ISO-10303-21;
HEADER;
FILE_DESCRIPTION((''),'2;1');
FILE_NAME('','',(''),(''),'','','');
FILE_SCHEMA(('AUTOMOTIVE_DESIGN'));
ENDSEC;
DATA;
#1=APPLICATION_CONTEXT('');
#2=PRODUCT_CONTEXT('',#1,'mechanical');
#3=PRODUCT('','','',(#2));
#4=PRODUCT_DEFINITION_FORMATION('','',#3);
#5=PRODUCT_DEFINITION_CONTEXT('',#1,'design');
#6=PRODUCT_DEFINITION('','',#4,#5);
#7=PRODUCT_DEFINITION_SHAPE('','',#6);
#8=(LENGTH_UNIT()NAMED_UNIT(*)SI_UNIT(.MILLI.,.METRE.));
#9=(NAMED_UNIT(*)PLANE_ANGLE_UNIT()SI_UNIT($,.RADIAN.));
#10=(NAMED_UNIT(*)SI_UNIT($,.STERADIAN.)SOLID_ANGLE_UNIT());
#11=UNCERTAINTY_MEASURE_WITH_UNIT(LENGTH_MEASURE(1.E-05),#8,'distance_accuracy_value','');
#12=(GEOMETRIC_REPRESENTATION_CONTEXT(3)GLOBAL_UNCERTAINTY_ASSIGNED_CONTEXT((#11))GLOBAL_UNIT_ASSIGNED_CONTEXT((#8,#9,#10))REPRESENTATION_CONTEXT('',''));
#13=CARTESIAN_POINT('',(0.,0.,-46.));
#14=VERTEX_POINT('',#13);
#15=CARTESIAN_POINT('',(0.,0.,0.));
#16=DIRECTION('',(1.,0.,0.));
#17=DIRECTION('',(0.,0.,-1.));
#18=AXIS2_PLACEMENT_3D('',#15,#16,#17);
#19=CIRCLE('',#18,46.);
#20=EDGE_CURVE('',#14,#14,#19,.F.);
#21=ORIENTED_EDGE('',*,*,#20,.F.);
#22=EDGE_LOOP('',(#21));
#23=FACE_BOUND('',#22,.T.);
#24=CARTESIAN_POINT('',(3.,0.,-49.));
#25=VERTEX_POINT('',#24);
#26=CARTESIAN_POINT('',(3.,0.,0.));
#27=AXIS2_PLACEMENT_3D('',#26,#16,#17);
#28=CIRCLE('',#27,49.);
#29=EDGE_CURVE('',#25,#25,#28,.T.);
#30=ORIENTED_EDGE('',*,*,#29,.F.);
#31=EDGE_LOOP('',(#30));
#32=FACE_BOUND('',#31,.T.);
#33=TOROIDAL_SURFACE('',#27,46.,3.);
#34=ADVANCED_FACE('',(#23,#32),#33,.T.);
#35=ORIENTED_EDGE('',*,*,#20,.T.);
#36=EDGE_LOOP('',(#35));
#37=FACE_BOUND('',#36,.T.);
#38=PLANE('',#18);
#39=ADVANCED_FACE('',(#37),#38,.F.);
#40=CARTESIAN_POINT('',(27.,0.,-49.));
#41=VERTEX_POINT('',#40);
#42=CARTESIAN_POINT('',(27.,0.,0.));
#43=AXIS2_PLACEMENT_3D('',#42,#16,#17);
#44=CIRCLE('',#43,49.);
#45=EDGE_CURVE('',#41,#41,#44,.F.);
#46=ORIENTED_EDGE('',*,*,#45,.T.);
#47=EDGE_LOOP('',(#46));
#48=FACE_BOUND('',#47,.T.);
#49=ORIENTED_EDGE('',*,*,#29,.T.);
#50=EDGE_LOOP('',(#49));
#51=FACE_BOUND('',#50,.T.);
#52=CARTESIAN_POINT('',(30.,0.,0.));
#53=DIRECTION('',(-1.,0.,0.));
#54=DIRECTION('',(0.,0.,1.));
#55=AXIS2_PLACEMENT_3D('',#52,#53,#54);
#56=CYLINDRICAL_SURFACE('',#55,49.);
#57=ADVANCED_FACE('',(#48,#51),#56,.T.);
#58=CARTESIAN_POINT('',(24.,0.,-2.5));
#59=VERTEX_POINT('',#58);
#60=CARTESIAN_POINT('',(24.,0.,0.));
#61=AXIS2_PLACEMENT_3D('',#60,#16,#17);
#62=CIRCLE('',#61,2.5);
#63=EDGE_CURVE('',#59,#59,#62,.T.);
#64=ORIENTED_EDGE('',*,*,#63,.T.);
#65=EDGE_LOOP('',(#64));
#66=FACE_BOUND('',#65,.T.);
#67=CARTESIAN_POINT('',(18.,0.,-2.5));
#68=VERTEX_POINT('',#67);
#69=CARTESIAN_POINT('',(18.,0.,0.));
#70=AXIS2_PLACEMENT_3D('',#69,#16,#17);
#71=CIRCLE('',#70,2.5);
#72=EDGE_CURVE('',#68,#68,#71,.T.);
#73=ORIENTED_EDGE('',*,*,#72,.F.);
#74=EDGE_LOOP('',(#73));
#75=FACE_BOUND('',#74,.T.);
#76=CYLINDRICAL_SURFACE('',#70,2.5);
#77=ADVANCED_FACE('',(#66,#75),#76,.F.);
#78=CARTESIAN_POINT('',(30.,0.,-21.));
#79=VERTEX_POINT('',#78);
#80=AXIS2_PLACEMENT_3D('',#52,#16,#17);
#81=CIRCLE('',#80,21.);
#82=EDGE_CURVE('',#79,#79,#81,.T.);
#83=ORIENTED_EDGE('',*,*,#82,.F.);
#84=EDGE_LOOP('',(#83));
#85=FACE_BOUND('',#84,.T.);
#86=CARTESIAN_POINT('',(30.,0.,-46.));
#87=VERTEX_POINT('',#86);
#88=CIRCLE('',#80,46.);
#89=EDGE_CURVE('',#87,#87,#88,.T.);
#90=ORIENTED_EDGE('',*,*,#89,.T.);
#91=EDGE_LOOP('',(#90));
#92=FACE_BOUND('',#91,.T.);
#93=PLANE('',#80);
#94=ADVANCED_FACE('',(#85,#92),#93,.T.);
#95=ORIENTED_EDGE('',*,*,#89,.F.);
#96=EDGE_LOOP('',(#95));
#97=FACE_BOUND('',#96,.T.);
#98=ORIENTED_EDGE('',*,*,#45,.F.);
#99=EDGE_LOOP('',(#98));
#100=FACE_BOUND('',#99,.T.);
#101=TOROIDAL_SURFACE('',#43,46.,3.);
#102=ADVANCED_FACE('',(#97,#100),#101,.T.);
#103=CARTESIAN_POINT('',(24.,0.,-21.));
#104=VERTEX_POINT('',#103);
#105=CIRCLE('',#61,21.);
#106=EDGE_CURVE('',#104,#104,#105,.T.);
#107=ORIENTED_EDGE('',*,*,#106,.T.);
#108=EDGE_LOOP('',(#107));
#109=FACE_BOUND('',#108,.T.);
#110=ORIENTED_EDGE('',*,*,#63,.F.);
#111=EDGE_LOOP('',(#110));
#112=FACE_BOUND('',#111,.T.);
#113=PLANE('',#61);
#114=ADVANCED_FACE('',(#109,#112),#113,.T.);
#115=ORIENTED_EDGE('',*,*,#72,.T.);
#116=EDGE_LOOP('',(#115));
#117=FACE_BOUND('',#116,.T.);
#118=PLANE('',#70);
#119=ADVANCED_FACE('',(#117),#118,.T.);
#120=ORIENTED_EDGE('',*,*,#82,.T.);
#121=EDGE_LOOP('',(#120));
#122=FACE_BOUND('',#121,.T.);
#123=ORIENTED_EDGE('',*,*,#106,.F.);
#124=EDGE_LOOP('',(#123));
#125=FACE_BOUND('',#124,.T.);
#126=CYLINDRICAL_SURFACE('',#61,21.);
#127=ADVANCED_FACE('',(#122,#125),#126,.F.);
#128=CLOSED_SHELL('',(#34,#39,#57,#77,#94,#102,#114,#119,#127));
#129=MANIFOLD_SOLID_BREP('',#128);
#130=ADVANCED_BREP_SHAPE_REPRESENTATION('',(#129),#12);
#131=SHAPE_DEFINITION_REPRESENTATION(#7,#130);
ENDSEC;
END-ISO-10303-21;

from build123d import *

# Parameters (mm, degrees)
SKETCH_1_R          = 49
EXTRUDE_1_DEPTH     = 30
FILLET_1_R          = 3
SKETCH_2_R          = 21
CUT_EXTRUDE_1_DEPTH = 6
SKETCH_3_R          = 2.5
CUT_EXTRUDE_2_DEPTH = 6


with BuildPart() as part:
    # 草图1 → 凸台-拉伸1 (new body)
    with BuildSketch(Plane(origin=(0, 0, 0), x_dir=(0, 0, -1), z_dir=(1, 0, 0))):
        Circle(SKETCH_1_R)
    extrude(amount=EXTRUDE_1_DEPTH)

    # 圆角1
    fillet_1_edges = [part.edges().sort_by_distance(p)[0] for p in [
        (0, 0, 49),
        (30, 0, 49),
    ]]
    fillet(fillet_1_edges, radius=FILLET_1_R)

    # 草图2 → 切除-拉伸1 (cut)
    with BuildSketch(Plane(origin=(30, 0, 0), x_dir=(0, 0, -1), z_dir=(1, 0, 0))):
        Circle(SKETCH_2_R)
    extrude(amount=-CUT_EXTRUDE_1_DEPTH, mode=Mode.SUBTRACT)

    # 草图3 → 切除-拉伸2 (cut)
    with BuildSketch(Plane(origin=(24, 0, 0), x_dir=(0, 0, -1), z_dir=(1, 0, 0))):
        Circle(SKETCH_3_R)
    extrude(amount=-CUT_EXTRUDE_2_DEPTH, mode=Mode.SUBTRACT)


solid = part.part
